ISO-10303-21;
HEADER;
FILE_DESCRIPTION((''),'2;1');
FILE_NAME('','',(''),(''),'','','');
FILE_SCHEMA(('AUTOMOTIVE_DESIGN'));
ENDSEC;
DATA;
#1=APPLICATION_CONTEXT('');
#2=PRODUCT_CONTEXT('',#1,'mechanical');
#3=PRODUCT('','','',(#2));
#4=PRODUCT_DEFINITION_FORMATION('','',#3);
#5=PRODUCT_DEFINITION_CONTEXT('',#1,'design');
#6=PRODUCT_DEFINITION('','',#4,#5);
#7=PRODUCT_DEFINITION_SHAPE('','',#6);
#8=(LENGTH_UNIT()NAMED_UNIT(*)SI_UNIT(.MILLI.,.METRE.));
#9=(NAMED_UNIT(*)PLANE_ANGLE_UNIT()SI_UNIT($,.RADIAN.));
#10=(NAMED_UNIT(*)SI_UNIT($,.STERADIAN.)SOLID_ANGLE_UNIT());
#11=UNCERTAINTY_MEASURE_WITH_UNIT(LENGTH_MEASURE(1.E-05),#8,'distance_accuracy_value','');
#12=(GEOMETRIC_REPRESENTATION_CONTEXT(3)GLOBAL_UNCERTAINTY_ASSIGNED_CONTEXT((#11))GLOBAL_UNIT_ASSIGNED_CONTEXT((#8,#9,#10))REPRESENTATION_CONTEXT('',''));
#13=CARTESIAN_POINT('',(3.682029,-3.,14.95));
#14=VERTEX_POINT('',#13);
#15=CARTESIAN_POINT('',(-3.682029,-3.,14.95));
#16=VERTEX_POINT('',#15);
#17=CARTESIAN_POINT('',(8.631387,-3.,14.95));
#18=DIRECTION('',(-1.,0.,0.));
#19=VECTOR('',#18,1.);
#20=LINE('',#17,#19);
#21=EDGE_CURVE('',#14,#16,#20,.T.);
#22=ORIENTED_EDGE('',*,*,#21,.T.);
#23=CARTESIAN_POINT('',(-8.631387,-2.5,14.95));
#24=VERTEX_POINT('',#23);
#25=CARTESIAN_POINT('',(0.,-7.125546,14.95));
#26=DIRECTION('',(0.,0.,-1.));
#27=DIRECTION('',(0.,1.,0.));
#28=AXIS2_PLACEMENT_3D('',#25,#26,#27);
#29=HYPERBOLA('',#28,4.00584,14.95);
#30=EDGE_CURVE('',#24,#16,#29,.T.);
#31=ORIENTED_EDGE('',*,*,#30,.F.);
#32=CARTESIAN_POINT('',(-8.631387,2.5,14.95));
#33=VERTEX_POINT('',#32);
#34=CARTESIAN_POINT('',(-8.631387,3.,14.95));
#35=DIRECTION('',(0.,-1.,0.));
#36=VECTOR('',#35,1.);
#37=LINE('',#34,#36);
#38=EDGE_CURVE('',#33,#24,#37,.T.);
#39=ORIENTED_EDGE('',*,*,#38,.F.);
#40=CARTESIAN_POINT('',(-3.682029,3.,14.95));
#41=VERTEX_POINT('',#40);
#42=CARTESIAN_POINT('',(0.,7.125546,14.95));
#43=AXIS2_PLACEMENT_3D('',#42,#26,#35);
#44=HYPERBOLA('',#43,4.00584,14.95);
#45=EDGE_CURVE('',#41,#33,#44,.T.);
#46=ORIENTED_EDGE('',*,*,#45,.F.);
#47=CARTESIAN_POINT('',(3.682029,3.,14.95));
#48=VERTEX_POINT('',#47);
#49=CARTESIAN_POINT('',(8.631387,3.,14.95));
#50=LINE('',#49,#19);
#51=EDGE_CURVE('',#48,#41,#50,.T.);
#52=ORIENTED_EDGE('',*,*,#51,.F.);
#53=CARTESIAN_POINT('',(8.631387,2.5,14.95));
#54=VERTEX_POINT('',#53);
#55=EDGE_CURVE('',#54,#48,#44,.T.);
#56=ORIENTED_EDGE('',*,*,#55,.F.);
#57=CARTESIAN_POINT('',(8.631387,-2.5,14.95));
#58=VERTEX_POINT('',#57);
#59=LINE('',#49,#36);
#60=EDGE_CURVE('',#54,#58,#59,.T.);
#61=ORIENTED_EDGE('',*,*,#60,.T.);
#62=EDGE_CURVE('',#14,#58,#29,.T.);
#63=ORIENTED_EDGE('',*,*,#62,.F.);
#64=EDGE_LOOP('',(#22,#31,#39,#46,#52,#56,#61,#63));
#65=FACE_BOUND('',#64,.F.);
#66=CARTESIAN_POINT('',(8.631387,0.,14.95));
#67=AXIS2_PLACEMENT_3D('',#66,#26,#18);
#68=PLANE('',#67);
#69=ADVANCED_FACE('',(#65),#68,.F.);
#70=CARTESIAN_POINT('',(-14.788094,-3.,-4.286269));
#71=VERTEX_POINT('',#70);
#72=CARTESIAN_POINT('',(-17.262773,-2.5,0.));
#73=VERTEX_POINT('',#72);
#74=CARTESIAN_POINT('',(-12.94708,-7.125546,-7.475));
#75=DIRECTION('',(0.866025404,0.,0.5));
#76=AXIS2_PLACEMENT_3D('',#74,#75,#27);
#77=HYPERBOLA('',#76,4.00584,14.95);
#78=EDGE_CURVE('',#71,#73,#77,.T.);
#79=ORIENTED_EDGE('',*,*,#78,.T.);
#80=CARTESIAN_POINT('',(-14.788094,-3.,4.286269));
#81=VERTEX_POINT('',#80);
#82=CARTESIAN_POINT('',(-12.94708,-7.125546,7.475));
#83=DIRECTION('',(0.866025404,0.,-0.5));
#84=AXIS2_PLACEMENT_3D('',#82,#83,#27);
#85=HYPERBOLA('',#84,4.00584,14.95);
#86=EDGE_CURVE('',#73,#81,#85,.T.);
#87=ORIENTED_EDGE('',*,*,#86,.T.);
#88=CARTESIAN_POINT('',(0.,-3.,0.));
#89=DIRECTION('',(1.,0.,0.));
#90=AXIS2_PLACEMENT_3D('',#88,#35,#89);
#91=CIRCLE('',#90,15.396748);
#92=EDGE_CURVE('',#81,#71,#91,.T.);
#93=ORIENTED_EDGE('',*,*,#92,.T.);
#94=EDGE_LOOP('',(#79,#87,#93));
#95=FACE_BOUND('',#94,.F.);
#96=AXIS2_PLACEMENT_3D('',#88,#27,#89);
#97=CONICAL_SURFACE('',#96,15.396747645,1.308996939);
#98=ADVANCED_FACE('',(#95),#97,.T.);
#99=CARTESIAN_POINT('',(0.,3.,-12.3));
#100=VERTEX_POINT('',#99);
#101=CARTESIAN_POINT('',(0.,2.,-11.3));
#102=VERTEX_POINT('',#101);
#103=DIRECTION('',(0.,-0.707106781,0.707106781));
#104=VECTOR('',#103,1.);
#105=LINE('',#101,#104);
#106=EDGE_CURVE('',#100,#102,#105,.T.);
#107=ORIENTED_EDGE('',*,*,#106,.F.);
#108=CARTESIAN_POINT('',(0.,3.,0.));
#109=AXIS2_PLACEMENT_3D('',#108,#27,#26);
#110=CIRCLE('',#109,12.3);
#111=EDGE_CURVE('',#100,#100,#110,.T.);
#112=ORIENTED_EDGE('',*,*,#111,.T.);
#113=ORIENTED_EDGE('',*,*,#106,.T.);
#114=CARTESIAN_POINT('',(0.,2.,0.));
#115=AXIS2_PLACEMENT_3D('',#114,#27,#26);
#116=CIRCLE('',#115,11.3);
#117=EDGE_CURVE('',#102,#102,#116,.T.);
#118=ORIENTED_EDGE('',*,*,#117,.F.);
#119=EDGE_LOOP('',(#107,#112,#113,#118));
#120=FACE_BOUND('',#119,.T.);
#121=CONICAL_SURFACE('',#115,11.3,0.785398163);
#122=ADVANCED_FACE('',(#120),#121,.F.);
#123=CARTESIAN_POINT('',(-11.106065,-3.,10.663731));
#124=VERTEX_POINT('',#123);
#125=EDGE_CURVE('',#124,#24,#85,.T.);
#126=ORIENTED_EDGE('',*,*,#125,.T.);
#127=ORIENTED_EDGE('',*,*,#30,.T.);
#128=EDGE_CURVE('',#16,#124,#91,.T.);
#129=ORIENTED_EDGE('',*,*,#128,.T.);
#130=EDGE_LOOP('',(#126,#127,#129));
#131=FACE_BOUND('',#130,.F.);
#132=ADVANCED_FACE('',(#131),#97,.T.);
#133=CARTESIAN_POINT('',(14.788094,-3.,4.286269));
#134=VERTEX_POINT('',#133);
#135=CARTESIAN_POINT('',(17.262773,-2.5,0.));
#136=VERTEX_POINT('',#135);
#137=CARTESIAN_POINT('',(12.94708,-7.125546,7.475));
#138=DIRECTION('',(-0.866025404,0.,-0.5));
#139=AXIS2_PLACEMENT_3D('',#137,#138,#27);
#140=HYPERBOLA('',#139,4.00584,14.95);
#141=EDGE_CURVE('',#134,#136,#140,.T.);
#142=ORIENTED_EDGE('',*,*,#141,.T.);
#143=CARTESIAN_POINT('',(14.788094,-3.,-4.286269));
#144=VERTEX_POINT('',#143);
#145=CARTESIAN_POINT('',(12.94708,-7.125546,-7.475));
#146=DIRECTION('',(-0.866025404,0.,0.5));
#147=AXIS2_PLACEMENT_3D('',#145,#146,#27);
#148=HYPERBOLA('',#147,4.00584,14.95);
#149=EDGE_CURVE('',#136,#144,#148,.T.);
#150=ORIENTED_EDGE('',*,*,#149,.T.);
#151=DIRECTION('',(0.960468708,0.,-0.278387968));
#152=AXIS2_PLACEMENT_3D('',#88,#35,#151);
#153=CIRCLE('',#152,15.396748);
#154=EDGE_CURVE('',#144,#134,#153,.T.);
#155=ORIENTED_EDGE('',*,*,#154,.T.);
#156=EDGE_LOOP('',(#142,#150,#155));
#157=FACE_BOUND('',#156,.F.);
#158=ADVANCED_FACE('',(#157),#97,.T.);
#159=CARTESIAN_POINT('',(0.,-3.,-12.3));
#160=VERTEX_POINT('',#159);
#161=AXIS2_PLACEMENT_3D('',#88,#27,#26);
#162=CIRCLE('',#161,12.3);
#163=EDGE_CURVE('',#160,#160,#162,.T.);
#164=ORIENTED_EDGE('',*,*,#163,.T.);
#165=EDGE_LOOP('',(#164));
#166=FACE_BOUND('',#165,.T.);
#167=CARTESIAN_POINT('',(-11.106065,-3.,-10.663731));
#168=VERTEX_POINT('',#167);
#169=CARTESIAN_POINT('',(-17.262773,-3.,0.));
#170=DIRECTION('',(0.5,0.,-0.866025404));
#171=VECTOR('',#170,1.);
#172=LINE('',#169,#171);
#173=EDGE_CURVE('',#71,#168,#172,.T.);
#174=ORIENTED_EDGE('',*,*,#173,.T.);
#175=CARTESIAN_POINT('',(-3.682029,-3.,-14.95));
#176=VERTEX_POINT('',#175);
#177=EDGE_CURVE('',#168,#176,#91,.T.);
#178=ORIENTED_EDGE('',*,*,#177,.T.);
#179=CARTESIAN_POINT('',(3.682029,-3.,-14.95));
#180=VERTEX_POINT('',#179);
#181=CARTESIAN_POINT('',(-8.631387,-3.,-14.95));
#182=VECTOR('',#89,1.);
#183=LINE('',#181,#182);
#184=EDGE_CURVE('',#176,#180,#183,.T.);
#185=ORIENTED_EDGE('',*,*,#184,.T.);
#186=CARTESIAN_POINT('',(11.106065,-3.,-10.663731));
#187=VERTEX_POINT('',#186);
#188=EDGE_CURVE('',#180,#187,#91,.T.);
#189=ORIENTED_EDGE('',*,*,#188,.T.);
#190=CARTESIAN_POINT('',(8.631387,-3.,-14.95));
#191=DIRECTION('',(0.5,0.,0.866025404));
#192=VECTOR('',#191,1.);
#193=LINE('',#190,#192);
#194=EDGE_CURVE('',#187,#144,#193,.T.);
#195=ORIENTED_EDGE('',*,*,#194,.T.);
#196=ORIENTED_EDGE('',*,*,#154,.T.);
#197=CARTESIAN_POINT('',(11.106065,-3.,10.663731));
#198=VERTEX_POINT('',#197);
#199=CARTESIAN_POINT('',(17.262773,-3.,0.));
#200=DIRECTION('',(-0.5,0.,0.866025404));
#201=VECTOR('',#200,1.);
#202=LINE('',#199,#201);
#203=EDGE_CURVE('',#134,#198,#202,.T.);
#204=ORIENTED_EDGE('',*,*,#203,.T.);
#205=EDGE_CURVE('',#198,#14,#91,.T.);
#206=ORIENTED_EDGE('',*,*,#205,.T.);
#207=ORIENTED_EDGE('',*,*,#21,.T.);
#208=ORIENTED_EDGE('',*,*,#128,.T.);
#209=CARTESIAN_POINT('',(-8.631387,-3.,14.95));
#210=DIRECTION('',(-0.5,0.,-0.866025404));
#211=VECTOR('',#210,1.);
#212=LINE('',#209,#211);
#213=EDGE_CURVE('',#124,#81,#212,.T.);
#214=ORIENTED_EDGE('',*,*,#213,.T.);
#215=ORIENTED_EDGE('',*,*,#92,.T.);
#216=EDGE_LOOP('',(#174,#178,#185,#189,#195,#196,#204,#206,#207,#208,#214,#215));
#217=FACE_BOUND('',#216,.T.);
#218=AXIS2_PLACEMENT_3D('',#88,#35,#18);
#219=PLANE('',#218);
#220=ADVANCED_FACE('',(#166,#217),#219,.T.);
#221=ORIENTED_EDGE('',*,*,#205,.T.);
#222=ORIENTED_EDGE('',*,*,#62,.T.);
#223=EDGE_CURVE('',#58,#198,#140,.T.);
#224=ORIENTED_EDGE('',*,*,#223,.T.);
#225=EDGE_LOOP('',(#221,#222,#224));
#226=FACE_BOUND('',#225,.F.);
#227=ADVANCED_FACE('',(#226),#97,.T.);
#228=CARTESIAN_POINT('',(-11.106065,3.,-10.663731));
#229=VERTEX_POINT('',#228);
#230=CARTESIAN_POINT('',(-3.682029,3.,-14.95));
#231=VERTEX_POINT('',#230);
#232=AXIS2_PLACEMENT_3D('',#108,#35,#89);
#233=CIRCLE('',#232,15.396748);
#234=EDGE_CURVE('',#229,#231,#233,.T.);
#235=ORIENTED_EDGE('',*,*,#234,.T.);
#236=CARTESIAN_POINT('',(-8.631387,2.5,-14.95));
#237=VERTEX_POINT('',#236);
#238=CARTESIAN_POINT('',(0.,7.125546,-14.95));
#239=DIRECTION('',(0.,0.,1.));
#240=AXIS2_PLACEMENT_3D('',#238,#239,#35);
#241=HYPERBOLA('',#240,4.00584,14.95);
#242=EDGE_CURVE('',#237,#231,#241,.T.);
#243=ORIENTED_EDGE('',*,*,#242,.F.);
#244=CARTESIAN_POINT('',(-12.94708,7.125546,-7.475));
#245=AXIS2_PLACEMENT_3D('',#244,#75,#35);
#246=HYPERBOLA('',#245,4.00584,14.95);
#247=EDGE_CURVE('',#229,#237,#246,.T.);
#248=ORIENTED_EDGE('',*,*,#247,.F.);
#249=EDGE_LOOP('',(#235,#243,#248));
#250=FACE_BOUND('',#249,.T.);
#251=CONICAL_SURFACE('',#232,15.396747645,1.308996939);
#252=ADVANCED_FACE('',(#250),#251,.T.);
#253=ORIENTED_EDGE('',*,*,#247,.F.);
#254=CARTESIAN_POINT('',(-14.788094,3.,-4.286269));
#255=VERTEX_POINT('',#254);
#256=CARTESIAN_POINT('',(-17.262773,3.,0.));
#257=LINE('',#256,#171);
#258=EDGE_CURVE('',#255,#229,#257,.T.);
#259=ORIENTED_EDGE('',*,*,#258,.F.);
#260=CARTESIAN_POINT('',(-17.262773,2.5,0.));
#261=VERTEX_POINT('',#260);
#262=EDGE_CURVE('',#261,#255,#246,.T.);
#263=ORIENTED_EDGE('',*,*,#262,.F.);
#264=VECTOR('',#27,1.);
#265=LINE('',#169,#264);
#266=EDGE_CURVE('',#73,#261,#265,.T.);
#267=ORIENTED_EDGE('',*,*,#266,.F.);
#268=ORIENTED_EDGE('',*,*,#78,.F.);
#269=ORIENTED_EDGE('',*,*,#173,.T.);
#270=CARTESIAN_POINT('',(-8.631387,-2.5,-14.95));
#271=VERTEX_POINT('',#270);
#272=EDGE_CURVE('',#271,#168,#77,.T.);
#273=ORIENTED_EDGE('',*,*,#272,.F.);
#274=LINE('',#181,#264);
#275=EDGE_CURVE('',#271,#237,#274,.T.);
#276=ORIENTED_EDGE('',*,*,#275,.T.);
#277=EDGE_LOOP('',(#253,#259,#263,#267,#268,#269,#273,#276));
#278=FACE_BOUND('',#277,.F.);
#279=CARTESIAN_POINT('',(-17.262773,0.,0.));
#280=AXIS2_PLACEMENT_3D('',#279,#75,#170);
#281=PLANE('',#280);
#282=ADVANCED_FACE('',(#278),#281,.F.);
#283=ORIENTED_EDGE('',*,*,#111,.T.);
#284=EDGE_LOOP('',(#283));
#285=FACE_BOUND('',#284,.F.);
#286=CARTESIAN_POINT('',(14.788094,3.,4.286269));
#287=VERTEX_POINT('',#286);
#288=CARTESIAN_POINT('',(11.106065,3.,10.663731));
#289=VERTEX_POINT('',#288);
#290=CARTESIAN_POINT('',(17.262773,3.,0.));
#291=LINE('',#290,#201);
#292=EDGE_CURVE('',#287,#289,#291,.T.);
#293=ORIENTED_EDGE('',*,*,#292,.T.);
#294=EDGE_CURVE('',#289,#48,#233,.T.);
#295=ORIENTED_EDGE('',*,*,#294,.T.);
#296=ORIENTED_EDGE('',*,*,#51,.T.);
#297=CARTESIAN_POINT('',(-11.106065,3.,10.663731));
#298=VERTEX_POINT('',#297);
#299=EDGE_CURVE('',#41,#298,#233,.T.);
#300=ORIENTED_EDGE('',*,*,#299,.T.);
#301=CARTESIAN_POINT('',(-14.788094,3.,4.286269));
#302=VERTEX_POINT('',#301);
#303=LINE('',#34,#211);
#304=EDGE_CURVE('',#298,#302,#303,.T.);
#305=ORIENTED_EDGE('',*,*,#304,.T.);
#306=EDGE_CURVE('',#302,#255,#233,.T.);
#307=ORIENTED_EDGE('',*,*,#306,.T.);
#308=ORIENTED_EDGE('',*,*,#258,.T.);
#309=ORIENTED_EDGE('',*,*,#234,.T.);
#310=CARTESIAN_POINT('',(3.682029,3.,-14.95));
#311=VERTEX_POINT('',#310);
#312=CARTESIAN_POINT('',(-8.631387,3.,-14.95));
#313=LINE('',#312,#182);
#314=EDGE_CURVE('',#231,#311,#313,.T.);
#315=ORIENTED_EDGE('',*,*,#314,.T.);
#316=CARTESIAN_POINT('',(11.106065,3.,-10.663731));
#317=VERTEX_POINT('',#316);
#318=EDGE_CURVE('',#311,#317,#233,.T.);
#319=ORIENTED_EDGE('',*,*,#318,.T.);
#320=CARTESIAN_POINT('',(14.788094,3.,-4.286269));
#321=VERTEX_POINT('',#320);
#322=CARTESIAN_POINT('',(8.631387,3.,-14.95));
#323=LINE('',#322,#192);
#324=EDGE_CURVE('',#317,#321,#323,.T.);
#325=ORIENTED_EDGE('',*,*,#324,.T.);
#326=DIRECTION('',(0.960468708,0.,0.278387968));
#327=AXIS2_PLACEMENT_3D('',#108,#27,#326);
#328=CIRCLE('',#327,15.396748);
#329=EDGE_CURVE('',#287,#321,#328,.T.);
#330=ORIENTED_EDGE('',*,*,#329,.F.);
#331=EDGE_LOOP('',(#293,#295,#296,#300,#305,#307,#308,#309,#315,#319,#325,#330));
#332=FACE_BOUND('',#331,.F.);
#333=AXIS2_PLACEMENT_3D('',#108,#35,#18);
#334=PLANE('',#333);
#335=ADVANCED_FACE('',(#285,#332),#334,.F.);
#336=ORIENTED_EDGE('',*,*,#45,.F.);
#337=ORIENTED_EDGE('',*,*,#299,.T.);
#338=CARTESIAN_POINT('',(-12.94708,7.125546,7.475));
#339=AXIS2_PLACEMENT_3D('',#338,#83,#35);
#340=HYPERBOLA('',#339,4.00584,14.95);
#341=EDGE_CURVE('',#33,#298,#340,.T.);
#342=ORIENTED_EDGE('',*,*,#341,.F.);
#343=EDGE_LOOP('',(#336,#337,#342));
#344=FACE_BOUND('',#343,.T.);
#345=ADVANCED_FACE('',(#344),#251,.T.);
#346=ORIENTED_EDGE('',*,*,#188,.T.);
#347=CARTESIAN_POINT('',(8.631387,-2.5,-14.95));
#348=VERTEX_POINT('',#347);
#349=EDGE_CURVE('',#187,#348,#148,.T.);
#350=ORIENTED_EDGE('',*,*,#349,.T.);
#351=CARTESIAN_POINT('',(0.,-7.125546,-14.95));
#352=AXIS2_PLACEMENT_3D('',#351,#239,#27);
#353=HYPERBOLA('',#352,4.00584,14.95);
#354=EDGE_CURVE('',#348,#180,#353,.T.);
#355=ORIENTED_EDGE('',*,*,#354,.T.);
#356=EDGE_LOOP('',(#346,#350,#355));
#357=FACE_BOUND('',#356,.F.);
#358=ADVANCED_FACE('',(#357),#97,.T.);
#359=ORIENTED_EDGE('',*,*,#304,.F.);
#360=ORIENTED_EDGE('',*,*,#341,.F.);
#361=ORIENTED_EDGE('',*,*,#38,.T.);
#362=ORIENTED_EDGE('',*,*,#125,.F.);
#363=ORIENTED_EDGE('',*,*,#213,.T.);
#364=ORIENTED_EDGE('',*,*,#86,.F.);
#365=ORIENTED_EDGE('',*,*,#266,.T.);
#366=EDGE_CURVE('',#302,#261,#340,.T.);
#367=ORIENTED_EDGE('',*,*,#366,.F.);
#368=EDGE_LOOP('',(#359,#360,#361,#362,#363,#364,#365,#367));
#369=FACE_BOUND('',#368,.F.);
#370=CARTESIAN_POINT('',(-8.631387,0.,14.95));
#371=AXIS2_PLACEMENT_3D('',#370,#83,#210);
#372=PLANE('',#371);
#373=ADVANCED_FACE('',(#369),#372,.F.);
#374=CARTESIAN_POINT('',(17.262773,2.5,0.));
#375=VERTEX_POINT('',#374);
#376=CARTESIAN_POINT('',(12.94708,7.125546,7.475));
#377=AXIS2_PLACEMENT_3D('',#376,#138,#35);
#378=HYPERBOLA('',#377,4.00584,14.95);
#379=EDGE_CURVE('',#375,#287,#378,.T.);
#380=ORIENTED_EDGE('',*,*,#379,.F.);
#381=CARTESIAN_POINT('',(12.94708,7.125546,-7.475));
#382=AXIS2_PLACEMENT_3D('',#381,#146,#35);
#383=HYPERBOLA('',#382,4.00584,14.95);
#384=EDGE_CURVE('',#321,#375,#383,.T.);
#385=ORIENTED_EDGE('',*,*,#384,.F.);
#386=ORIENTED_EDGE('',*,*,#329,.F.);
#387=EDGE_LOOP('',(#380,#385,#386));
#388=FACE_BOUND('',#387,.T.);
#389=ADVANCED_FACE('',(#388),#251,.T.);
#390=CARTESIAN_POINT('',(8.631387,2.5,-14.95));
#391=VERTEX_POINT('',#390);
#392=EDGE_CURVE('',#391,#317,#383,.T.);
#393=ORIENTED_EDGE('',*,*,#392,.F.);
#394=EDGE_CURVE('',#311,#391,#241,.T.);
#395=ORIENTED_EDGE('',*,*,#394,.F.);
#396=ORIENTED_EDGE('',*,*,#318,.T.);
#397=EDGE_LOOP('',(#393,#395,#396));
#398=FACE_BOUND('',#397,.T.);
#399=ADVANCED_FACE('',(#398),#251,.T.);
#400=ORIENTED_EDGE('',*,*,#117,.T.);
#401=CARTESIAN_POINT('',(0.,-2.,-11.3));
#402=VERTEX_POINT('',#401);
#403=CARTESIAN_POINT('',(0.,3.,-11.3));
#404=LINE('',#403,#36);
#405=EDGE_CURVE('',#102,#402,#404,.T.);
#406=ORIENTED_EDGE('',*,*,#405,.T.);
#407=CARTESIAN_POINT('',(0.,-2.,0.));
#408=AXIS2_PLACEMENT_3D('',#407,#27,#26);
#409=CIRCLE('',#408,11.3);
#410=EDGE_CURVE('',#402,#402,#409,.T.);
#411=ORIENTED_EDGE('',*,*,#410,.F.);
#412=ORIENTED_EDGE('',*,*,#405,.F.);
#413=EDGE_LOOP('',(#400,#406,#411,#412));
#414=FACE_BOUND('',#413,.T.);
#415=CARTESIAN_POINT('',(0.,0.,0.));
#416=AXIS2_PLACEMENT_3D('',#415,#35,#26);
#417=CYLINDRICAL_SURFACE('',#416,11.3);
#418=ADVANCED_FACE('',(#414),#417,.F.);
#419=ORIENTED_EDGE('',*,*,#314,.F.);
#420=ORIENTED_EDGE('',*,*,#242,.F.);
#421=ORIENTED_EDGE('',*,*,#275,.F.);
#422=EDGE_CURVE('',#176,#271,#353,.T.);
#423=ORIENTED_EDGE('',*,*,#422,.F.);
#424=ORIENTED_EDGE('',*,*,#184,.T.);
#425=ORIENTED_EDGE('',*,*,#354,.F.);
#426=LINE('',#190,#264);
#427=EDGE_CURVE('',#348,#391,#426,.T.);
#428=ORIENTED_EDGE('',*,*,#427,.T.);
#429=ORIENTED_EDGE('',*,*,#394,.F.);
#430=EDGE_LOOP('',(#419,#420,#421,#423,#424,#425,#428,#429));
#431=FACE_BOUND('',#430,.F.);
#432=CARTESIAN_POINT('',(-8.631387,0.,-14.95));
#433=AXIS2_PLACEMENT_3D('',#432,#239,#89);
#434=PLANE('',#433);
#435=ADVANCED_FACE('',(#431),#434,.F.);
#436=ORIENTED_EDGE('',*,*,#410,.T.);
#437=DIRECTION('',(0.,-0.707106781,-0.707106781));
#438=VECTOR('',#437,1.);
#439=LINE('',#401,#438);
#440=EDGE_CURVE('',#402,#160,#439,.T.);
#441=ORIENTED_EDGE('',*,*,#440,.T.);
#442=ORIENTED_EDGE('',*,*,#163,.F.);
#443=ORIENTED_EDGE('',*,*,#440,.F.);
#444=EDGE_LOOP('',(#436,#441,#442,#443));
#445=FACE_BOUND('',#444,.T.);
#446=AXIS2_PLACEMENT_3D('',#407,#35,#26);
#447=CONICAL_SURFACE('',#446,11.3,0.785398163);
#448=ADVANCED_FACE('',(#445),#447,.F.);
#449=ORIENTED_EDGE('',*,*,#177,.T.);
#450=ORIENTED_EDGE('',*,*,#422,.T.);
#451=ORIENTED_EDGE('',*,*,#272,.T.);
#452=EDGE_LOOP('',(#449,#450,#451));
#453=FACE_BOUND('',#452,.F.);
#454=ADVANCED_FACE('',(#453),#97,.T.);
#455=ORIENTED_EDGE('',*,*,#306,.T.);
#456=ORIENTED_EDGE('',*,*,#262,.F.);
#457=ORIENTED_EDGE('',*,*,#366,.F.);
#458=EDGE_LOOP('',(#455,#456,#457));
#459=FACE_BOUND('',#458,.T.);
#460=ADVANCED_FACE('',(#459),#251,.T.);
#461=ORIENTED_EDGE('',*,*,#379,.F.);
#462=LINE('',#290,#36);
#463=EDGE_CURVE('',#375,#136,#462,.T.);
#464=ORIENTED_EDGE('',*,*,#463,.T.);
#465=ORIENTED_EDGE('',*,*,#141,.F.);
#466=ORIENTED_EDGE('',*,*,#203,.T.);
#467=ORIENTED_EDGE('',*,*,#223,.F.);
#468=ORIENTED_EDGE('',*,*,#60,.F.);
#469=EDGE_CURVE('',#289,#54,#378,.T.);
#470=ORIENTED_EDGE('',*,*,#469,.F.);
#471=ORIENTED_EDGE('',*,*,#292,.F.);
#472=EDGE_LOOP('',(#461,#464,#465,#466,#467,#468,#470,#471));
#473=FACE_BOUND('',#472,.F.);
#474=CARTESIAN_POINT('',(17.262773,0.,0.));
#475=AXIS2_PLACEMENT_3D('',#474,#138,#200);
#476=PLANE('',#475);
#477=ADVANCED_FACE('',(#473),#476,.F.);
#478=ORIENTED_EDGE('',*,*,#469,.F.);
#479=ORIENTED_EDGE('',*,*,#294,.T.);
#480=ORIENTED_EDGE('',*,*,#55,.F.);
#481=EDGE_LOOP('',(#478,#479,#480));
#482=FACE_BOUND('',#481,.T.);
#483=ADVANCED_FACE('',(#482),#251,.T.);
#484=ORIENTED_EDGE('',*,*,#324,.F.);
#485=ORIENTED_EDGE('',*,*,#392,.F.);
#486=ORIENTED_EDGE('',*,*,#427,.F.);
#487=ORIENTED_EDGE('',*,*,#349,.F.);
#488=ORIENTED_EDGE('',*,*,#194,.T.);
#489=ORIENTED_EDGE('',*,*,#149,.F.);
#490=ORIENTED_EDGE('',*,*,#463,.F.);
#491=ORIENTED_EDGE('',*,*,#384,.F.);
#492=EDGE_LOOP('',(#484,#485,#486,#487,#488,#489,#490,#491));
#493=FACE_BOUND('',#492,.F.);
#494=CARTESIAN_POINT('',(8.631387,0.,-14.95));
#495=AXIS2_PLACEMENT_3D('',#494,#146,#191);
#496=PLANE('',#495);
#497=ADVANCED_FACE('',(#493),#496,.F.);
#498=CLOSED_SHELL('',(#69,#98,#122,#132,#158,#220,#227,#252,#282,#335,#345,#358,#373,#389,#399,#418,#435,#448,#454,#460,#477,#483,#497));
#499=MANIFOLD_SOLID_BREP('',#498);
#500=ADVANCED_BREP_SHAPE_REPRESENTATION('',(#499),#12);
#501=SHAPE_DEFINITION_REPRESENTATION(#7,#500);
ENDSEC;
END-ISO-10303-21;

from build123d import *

# Parameters (mm, degrees)
ESQUISSE1_R          = 11.3
BASE_EXTRUSION_DEPTH = 3
CHANFREIN1_SIZE      = 1


with BuildPart() as part:
    # Esquisse1 → Base-Extrusion (new, symmetric)
    with BuildSketch(Plane(origin=(0, 0, 0), x_dir=(1, 0, 0), z_dir=(0, 1, 0))):
        Polygon((8.631386524, 14.95), (17.262773049, 0), (8.631386524, -14.95), (-8.631386524, -14.95), (-17.262773049, 0), (-8.631386524, 14.95), align=None)
        with Locations(Location((0, 0, 0), (0, 0, 90))):
            Circle(ESQUISSE1_R, mode=Mode.SUBTRACT)
    extrude(amount=BASE_EXTRUSION_DEPTH, both=True)

    # Chanfrein1
    chanfrein1_edges = [part.edges().sort_by_distance(p)[0] for p in [
        (0, 3, 11.3),
        (0, -3, 11.3),
    ]]
    chamfer(chanfrein1_edges, length=CHANFREIN1_SIZE)

    # Esquisse2 → Enlèvement de matière-Révolution3 (revolve, cut)
    with BuildSketch(Plane.XY):
        Polygon((15.396747645, 3), (17.262773049, 2.5), (17.262773049, 3), align=None)
        Polygon((17.262773049, -3), (15.396747645, -3), (17.262773049, -2.5), align=None)
    revolve(axis=Axis((0, 0, 0), (0, -1, 0)), mode=Mode.SUBTRACT)


solid = part.part
